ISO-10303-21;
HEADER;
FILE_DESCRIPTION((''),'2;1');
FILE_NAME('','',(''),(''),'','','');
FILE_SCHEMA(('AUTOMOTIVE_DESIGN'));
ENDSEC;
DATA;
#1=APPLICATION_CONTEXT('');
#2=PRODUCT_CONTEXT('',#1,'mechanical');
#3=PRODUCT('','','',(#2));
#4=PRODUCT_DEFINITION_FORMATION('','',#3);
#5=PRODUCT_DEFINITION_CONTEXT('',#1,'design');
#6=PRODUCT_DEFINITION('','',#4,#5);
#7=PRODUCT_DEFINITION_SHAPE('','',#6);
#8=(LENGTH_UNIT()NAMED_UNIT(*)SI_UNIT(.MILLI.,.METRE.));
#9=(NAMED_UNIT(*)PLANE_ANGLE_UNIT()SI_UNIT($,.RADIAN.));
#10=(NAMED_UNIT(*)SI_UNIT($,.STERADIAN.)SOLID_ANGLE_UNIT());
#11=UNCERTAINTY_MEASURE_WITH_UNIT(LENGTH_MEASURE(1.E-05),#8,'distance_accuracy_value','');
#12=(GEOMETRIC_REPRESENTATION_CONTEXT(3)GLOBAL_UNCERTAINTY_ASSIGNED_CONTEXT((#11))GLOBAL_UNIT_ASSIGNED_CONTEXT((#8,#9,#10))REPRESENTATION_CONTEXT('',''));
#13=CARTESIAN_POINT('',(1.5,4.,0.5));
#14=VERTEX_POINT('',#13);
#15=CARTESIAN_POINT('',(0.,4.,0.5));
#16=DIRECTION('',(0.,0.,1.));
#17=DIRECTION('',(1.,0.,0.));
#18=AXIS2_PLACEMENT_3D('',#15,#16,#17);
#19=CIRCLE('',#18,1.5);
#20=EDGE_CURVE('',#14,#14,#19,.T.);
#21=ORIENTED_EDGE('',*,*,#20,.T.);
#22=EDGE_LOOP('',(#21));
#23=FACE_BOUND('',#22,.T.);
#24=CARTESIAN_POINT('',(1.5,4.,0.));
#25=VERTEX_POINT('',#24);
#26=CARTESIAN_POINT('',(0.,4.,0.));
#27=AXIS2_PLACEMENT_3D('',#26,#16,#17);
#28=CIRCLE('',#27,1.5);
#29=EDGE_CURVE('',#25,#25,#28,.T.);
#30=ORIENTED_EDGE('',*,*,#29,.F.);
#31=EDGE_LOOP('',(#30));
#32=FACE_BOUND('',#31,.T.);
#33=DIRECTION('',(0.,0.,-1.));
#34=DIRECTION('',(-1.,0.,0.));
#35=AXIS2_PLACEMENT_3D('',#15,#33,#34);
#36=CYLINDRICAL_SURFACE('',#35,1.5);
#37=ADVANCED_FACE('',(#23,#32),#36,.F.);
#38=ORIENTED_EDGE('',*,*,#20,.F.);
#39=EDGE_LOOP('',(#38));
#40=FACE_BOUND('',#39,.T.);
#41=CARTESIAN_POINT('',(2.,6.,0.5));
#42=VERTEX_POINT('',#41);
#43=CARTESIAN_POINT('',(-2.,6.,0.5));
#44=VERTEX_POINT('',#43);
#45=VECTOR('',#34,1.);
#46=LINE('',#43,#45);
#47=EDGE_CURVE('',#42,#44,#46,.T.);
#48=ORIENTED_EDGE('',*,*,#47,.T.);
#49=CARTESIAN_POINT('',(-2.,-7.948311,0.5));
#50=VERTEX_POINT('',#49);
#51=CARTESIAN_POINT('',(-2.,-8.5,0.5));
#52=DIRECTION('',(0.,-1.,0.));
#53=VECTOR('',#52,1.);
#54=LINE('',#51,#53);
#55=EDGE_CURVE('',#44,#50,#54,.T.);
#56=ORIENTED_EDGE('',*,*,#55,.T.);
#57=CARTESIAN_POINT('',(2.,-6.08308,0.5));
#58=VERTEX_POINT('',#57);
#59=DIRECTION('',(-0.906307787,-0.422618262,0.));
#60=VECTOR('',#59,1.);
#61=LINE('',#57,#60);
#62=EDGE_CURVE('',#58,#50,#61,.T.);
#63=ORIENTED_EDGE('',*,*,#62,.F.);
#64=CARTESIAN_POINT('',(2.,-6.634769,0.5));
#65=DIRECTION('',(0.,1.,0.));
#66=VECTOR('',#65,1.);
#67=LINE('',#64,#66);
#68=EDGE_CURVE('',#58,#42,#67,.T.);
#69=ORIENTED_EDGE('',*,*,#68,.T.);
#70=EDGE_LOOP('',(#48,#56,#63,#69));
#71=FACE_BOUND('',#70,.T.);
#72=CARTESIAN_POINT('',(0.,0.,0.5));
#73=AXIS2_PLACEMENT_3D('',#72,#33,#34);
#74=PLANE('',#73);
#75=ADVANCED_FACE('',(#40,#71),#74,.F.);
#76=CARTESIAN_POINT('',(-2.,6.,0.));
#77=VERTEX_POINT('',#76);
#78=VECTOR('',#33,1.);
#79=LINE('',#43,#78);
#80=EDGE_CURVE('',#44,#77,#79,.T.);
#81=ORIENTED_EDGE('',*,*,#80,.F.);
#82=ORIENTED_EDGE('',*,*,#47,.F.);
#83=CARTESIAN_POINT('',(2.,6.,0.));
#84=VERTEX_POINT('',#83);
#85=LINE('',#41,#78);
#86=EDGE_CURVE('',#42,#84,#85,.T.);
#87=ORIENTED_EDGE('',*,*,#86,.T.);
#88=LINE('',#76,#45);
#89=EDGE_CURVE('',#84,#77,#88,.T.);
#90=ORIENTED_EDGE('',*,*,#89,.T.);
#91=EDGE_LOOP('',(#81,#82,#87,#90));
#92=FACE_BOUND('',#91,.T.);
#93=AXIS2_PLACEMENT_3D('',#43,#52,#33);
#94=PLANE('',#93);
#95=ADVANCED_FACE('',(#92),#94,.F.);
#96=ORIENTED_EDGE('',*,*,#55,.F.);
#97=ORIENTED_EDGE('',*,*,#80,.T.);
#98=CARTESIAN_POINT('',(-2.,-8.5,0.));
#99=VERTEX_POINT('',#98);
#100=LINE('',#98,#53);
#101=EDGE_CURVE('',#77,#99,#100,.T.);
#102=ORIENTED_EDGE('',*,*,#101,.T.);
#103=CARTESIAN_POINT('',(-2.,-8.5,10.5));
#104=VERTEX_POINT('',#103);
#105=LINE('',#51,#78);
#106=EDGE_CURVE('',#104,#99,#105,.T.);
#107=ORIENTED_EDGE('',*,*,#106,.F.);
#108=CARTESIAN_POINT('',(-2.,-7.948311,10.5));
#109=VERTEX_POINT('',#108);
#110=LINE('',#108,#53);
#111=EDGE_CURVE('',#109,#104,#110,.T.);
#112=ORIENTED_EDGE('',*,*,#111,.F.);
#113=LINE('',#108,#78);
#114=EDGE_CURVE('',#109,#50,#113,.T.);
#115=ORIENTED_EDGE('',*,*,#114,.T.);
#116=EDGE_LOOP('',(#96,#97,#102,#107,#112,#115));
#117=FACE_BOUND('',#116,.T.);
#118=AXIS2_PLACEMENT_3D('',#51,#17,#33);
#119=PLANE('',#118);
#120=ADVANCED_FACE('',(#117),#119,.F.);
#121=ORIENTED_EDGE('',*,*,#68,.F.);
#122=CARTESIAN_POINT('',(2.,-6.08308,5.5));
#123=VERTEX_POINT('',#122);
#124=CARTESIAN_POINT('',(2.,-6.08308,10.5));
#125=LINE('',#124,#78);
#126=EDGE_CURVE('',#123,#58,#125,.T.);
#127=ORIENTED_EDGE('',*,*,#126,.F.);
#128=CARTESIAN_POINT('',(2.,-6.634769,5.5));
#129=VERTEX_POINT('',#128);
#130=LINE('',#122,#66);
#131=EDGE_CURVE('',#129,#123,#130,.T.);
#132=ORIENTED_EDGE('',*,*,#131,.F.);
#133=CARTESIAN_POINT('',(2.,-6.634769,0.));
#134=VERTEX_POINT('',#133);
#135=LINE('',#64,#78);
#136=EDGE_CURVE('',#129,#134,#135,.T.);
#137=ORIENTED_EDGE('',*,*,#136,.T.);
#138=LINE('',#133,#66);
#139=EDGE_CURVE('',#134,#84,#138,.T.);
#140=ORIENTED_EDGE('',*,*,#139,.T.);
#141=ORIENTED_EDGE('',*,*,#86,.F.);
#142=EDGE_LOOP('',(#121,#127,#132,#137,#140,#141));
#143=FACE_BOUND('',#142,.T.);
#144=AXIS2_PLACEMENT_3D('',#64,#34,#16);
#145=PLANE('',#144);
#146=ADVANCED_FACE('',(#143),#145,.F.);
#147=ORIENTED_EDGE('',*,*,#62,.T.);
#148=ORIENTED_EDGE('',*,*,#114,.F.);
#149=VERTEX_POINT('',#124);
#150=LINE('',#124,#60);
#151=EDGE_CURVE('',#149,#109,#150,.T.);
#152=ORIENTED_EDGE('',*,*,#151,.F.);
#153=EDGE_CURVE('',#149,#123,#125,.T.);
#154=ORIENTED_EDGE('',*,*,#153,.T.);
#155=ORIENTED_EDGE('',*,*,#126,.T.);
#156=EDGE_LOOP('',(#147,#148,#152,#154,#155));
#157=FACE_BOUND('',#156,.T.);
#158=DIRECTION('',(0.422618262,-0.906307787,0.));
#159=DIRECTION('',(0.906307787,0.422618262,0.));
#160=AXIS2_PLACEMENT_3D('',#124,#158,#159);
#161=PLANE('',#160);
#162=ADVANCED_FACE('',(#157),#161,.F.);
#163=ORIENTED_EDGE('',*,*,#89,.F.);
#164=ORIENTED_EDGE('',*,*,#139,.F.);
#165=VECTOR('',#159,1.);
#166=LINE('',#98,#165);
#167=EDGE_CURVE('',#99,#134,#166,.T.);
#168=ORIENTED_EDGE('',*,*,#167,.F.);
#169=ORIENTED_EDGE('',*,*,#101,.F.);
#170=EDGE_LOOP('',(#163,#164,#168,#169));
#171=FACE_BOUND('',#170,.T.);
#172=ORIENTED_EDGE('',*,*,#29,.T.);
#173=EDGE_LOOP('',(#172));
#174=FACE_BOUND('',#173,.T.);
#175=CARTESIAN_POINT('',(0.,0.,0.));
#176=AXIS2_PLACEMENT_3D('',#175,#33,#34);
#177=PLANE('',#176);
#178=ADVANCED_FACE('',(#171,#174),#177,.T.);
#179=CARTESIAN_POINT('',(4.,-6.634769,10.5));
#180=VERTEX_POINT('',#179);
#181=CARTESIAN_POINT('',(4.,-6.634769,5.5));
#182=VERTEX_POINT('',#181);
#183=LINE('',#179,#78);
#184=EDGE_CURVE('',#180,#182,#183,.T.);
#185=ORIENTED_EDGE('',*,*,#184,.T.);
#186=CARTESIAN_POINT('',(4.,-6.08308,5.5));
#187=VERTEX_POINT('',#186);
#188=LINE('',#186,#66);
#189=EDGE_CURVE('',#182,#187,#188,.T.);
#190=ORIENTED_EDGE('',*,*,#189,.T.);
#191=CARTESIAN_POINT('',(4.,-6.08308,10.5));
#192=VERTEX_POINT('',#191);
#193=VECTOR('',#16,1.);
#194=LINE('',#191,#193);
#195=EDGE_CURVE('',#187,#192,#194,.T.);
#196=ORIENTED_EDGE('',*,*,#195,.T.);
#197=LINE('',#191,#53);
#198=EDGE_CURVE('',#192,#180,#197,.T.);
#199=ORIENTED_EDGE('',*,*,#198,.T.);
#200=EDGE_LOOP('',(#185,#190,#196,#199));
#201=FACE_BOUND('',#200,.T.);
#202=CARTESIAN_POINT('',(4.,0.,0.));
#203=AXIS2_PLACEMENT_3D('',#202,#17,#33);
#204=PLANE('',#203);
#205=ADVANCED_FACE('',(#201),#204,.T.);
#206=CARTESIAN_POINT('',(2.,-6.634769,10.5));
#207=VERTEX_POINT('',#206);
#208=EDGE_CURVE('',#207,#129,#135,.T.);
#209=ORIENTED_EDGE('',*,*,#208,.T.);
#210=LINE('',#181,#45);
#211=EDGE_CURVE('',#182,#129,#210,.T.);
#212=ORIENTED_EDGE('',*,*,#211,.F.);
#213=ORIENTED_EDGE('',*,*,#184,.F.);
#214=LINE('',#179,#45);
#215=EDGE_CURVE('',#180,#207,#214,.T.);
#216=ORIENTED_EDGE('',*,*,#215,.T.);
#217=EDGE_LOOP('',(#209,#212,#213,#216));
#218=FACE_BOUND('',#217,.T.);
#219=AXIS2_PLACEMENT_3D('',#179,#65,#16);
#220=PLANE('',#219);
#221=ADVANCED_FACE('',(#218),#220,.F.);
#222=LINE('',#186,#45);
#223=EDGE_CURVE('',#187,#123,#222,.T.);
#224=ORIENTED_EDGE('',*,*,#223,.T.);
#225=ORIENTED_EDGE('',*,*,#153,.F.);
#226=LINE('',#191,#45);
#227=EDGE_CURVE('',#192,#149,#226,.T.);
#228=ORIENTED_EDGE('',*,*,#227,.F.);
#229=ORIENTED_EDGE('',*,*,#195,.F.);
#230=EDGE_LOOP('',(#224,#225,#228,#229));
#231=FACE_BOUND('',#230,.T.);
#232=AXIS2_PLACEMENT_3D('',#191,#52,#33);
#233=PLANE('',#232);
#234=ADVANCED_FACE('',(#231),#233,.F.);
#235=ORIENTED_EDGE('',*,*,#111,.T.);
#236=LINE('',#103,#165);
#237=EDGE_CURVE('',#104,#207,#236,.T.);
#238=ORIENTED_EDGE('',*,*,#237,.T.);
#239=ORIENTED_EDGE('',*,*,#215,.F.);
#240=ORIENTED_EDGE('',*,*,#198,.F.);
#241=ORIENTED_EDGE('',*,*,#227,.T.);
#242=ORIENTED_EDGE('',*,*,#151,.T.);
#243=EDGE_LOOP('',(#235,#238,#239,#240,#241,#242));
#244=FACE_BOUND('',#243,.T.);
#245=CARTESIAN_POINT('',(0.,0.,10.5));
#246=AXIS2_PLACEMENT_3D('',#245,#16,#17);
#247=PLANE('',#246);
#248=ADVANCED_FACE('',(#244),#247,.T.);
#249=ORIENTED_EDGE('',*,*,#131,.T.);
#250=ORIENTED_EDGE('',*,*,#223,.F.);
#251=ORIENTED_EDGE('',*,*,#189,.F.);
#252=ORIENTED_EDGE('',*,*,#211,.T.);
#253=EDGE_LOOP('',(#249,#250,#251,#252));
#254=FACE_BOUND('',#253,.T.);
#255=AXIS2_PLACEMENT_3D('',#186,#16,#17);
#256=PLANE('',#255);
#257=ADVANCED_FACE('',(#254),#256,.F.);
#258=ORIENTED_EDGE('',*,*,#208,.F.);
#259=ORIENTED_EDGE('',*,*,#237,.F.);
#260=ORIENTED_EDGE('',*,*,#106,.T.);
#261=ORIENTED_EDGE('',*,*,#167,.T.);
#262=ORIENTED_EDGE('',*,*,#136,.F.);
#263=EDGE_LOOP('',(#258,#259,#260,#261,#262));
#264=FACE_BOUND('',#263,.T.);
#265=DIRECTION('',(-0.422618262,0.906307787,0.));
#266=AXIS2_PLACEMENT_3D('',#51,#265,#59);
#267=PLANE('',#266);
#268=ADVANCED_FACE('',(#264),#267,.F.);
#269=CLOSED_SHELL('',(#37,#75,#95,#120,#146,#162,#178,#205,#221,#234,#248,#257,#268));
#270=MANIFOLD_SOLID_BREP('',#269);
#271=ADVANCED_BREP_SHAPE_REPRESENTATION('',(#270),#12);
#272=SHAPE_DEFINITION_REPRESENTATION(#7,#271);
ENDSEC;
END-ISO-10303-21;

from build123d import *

# Parameters (mm, degrees)
SKETCH_4_R      = 1.5
EXTRUDE_3_DEPTH = 0.5
EXTRUDE_4_DEPTH = 10
SKETCH_6_W      = 5
SKETCH_6_H      = 0.551688959
EXTRUDE_5_DEPTH = 2


with BuildPart() as part:
    # Эскиз4 → Бобышка-Вытянуть3 (new body)
    with BuildSketch(Plane.XY):
        Polygon((-2, -8.5), (2, -6.634769367), (2, 6), (-2, 6), align=None)
        with Locations((0, 4)):
            Circle(SKETCH_4_R, mode=Mode.SUBTRACT)
    extrude(amount=EXTRUDE_3_DEPTH)

    # Эскиз5 → Бобышка-Вытянуть4 (add)
    with BuildSketch(Plane.XY.offset(0.5)):
        Polygon((-2, -8.5), (2, -6.634769367), (2, -6.083080408), (-2, -7.948311041), align=None)
    extrude(amount=EXTRUDE_4_DEPTH)

    # Эскиз6 → Бобышка-Вытянуть5 (add)
    with BuildSketch(Plane(origin=(2, 0, 0), x_dir=(0, 0, -1), z_dir=(1, 0, 0))):
        with Locations((-8, -6.358924888)):
            Rectangle(SKETCH_6_W, SKETCH_6_H)
    extrude(amount=EXTRUDE_5_DEPTH)


solid = part.part
